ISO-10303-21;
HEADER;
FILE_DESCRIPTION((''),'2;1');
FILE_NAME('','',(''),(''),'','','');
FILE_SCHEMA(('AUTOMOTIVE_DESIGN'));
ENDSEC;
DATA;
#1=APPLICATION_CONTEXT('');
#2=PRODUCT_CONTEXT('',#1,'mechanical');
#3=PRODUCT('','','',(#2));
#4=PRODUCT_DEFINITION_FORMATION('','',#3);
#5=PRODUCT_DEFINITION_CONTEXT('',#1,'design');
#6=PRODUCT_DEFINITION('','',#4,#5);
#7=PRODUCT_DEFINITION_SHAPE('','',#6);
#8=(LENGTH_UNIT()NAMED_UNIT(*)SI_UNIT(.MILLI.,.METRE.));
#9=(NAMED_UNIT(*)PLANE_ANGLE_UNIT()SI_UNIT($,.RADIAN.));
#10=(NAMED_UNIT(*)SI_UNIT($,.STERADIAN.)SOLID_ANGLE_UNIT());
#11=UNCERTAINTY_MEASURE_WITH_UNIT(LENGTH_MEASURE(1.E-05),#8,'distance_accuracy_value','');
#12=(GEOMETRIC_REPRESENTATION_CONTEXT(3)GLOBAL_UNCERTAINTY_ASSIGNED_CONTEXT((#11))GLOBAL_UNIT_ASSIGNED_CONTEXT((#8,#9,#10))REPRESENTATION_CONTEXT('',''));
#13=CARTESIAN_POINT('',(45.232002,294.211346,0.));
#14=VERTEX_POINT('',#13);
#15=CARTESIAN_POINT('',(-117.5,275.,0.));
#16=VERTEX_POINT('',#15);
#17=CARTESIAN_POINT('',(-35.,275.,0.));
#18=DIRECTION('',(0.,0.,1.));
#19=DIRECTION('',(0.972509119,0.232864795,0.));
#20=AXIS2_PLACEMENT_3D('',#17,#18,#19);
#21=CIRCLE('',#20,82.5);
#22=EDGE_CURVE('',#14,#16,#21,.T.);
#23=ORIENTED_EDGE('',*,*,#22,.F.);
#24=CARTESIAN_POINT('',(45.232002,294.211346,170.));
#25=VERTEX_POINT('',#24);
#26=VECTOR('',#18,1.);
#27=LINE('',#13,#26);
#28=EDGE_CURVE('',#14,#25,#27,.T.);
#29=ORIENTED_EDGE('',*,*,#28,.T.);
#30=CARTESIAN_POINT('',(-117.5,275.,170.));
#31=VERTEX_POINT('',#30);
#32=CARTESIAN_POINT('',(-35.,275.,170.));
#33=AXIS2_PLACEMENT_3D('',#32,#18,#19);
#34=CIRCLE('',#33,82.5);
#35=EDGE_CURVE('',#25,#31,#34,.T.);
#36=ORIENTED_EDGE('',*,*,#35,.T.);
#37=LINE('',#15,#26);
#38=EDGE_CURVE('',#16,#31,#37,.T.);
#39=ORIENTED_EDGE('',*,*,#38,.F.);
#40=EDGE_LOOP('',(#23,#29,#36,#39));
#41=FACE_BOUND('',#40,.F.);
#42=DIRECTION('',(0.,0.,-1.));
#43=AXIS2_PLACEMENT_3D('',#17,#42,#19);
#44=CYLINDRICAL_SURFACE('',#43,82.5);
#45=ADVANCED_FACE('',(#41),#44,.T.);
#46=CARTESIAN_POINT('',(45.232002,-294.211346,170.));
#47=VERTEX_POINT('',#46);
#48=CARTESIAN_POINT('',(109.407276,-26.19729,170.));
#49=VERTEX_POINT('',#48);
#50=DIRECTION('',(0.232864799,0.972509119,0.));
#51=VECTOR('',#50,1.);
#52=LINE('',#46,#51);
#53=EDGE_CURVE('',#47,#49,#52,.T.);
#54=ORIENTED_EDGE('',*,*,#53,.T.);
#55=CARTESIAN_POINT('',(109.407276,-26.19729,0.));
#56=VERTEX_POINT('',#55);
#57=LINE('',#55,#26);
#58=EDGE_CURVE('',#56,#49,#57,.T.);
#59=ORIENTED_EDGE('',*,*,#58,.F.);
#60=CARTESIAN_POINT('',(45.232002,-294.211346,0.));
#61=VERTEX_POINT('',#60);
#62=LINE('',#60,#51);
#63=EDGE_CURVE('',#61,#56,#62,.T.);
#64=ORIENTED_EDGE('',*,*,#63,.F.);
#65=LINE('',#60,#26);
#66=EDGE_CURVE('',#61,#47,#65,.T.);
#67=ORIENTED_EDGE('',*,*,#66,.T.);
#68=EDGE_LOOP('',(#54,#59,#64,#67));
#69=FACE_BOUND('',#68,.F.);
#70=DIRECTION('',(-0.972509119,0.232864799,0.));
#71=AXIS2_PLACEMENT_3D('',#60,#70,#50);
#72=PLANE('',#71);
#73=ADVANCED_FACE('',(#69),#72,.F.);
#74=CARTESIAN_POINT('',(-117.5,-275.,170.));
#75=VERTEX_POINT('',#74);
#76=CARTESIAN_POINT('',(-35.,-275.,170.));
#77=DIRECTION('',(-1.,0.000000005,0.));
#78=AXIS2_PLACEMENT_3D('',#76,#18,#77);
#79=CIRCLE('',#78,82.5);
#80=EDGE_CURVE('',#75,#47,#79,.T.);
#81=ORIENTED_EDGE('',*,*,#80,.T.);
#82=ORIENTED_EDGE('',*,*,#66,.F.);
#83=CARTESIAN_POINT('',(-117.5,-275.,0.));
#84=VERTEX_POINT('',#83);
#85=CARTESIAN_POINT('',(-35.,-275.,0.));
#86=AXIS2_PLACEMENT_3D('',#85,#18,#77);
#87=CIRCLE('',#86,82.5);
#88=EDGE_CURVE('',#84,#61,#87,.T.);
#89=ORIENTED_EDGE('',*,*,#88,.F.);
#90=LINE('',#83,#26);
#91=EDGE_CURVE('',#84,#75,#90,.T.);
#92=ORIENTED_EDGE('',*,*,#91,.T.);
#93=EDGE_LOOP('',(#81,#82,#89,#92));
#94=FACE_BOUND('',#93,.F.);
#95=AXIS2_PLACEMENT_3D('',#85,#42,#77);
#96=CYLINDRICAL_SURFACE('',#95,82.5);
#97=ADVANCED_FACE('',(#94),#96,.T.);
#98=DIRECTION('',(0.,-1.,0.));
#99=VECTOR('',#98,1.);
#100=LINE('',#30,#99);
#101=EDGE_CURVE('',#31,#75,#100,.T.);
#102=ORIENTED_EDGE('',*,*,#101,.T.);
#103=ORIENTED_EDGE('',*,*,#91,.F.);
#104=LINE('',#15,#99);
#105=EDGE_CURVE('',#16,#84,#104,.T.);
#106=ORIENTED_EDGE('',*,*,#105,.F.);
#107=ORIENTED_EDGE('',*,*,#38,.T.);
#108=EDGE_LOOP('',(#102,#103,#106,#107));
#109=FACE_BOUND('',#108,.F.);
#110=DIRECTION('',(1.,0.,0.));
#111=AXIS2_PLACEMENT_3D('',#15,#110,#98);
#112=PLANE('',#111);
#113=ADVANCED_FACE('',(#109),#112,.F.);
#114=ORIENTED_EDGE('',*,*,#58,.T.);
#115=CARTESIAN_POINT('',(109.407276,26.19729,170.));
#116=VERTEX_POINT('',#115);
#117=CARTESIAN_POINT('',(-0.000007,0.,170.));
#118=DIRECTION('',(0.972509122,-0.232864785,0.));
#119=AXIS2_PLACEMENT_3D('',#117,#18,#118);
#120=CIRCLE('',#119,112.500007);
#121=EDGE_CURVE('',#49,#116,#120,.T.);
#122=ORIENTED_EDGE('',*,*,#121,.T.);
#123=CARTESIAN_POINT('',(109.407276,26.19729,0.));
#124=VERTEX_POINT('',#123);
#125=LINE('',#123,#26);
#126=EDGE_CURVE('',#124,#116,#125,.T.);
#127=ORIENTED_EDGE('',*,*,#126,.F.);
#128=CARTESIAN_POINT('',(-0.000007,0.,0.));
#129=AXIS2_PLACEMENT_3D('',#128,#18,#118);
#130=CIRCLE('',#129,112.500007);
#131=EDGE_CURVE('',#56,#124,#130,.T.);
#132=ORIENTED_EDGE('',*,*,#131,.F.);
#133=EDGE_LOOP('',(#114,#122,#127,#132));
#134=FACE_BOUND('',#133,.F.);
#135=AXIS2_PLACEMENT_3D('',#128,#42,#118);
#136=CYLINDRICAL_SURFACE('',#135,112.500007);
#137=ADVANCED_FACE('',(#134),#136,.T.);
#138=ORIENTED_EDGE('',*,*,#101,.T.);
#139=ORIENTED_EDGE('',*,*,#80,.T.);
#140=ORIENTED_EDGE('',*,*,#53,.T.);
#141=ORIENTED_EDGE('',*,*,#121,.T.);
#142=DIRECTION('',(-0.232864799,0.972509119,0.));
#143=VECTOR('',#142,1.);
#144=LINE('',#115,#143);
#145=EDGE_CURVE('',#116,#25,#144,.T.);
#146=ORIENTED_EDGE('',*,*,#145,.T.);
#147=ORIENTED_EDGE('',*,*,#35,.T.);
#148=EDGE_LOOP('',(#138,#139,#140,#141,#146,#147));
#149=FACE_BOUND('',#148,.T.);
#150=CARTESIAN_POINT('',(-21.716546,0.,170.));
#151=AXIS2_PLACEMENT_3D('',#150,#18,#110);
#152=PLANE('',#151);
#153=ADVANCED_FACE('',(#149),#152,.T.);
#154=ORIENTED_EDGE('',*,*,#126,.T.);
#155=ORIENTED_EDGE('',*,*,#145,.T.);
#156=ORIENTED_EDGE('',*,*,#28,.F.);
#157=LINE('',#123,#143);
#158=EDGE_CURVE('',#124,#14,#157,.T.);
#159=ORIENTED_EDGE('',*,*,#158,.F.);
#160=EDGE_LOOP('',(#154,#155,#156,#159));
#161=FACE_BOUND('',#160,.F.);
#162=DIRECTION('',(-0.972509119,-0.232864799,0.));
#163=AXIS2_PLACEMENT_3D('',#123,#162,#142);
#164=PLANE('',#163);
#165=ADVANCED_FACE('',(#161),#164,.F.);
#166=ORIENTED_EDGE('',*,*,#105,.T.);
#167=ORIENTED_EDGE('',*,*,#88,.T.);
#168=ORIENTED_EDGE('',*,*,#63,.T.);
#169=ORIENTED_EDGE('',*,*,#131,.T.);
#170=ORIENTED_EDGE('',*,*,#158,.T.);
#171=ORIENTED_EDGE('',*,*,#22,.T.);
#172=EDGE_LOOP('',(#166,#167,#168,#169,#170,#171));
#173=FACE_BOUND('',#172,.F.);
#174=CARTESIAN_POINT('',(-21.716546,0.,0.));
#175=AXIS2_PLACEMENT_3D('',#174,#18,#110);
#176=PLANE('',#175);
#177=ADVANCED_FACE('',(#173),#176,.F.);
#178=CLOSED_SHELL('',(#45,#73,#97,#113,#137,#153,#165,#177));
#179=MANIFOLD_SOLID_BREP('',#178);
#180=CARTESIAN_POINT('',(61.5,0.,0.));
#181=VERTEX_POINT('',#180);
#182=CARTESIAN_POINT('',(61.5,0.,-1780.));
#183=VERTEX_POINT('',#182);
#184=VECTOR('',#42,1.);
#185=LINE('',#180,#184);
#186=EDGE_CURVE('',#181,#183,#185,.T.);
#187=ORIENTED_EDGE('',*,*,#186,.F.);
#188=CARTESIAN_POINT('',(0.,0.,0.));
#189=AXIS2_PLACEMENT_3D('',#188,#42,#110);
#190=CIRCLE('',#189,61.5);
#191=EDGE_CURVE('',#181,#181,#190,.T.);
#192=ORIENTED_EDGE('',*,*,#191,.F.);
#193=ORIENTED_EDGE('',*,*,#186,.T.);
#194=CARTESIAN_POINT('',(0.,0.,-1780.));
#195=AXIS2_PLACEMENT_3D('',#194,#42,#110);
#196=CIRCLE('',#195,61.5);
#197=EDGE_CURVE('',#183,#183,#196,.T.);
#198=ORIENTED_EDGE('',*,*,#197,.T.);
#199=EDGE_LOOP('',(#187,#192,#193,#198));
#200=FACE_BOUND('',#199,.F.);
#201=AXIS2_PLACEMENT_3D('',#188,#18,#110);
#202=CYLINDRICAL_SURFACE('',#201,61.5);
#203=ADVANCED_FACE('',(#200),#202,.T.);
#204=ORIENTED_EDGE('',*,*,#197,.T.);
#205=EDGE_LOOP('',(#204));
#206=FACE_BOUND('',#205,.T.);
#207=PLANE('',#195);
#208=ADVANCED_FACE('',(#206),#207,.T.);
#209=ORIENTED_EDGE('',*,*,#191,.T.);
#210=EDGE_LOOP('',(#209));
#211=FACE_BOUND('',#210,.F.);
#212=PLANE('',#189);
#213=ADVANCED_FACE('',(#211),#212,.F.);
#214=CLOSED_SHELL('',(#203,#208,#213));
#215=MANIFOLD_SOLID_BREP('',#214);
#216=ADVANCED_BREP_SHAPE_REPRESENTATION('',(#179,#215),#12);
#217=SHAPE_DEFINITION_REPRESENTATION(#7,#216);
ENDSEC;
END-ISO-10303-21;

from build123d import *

# Parameters (mm, degrees)
F1_DEPTH = 170
F2_R     = 61.5
F3_DEPTH = 1780


with BuildPart() as f1:
    # F0 (on Top) → F1 (new body)
    with BuildSketch(Plane.XY):
        with BuildLine():
            Line((45.232002, -294.211346), (109.407276, -26.19729))
            ThreePointArc((109.407276, -26.19729), (112.5, 0), (109.407276, 26.19729))
            Line((109.407276, 26.19729), (45.232002, 294.211346))
            ThreePointArc((45.232002, 294.211346), (-44.672378, 356.931039), (-117.5, 275))
            Line((-117.5, 275), (-117.5, 171.751551))
            Line((-117.5, 171.751551), (-117.5, -171.751551))
            Line((-117.5, -171.751551), (-117.5, -275))
            ThreePointArc((-117.5, -275), (-44.672378, -356.931039), (45.232002, -294.211346))
        make_face()
    extrude(amount=F1_DEPTH)


with BuildPart() as f3:
    # F2 (on face) → F3 (new body)
    with BuildSketch(Plane(origin=(0, 0, 0), x_dir=(1, 0, 0), z_dir=(0, 0, -1))):
        Circle(F2_R)
    extrude(amount=F3_DEPTH)


solid = Compound([f1.part, f3.part])
